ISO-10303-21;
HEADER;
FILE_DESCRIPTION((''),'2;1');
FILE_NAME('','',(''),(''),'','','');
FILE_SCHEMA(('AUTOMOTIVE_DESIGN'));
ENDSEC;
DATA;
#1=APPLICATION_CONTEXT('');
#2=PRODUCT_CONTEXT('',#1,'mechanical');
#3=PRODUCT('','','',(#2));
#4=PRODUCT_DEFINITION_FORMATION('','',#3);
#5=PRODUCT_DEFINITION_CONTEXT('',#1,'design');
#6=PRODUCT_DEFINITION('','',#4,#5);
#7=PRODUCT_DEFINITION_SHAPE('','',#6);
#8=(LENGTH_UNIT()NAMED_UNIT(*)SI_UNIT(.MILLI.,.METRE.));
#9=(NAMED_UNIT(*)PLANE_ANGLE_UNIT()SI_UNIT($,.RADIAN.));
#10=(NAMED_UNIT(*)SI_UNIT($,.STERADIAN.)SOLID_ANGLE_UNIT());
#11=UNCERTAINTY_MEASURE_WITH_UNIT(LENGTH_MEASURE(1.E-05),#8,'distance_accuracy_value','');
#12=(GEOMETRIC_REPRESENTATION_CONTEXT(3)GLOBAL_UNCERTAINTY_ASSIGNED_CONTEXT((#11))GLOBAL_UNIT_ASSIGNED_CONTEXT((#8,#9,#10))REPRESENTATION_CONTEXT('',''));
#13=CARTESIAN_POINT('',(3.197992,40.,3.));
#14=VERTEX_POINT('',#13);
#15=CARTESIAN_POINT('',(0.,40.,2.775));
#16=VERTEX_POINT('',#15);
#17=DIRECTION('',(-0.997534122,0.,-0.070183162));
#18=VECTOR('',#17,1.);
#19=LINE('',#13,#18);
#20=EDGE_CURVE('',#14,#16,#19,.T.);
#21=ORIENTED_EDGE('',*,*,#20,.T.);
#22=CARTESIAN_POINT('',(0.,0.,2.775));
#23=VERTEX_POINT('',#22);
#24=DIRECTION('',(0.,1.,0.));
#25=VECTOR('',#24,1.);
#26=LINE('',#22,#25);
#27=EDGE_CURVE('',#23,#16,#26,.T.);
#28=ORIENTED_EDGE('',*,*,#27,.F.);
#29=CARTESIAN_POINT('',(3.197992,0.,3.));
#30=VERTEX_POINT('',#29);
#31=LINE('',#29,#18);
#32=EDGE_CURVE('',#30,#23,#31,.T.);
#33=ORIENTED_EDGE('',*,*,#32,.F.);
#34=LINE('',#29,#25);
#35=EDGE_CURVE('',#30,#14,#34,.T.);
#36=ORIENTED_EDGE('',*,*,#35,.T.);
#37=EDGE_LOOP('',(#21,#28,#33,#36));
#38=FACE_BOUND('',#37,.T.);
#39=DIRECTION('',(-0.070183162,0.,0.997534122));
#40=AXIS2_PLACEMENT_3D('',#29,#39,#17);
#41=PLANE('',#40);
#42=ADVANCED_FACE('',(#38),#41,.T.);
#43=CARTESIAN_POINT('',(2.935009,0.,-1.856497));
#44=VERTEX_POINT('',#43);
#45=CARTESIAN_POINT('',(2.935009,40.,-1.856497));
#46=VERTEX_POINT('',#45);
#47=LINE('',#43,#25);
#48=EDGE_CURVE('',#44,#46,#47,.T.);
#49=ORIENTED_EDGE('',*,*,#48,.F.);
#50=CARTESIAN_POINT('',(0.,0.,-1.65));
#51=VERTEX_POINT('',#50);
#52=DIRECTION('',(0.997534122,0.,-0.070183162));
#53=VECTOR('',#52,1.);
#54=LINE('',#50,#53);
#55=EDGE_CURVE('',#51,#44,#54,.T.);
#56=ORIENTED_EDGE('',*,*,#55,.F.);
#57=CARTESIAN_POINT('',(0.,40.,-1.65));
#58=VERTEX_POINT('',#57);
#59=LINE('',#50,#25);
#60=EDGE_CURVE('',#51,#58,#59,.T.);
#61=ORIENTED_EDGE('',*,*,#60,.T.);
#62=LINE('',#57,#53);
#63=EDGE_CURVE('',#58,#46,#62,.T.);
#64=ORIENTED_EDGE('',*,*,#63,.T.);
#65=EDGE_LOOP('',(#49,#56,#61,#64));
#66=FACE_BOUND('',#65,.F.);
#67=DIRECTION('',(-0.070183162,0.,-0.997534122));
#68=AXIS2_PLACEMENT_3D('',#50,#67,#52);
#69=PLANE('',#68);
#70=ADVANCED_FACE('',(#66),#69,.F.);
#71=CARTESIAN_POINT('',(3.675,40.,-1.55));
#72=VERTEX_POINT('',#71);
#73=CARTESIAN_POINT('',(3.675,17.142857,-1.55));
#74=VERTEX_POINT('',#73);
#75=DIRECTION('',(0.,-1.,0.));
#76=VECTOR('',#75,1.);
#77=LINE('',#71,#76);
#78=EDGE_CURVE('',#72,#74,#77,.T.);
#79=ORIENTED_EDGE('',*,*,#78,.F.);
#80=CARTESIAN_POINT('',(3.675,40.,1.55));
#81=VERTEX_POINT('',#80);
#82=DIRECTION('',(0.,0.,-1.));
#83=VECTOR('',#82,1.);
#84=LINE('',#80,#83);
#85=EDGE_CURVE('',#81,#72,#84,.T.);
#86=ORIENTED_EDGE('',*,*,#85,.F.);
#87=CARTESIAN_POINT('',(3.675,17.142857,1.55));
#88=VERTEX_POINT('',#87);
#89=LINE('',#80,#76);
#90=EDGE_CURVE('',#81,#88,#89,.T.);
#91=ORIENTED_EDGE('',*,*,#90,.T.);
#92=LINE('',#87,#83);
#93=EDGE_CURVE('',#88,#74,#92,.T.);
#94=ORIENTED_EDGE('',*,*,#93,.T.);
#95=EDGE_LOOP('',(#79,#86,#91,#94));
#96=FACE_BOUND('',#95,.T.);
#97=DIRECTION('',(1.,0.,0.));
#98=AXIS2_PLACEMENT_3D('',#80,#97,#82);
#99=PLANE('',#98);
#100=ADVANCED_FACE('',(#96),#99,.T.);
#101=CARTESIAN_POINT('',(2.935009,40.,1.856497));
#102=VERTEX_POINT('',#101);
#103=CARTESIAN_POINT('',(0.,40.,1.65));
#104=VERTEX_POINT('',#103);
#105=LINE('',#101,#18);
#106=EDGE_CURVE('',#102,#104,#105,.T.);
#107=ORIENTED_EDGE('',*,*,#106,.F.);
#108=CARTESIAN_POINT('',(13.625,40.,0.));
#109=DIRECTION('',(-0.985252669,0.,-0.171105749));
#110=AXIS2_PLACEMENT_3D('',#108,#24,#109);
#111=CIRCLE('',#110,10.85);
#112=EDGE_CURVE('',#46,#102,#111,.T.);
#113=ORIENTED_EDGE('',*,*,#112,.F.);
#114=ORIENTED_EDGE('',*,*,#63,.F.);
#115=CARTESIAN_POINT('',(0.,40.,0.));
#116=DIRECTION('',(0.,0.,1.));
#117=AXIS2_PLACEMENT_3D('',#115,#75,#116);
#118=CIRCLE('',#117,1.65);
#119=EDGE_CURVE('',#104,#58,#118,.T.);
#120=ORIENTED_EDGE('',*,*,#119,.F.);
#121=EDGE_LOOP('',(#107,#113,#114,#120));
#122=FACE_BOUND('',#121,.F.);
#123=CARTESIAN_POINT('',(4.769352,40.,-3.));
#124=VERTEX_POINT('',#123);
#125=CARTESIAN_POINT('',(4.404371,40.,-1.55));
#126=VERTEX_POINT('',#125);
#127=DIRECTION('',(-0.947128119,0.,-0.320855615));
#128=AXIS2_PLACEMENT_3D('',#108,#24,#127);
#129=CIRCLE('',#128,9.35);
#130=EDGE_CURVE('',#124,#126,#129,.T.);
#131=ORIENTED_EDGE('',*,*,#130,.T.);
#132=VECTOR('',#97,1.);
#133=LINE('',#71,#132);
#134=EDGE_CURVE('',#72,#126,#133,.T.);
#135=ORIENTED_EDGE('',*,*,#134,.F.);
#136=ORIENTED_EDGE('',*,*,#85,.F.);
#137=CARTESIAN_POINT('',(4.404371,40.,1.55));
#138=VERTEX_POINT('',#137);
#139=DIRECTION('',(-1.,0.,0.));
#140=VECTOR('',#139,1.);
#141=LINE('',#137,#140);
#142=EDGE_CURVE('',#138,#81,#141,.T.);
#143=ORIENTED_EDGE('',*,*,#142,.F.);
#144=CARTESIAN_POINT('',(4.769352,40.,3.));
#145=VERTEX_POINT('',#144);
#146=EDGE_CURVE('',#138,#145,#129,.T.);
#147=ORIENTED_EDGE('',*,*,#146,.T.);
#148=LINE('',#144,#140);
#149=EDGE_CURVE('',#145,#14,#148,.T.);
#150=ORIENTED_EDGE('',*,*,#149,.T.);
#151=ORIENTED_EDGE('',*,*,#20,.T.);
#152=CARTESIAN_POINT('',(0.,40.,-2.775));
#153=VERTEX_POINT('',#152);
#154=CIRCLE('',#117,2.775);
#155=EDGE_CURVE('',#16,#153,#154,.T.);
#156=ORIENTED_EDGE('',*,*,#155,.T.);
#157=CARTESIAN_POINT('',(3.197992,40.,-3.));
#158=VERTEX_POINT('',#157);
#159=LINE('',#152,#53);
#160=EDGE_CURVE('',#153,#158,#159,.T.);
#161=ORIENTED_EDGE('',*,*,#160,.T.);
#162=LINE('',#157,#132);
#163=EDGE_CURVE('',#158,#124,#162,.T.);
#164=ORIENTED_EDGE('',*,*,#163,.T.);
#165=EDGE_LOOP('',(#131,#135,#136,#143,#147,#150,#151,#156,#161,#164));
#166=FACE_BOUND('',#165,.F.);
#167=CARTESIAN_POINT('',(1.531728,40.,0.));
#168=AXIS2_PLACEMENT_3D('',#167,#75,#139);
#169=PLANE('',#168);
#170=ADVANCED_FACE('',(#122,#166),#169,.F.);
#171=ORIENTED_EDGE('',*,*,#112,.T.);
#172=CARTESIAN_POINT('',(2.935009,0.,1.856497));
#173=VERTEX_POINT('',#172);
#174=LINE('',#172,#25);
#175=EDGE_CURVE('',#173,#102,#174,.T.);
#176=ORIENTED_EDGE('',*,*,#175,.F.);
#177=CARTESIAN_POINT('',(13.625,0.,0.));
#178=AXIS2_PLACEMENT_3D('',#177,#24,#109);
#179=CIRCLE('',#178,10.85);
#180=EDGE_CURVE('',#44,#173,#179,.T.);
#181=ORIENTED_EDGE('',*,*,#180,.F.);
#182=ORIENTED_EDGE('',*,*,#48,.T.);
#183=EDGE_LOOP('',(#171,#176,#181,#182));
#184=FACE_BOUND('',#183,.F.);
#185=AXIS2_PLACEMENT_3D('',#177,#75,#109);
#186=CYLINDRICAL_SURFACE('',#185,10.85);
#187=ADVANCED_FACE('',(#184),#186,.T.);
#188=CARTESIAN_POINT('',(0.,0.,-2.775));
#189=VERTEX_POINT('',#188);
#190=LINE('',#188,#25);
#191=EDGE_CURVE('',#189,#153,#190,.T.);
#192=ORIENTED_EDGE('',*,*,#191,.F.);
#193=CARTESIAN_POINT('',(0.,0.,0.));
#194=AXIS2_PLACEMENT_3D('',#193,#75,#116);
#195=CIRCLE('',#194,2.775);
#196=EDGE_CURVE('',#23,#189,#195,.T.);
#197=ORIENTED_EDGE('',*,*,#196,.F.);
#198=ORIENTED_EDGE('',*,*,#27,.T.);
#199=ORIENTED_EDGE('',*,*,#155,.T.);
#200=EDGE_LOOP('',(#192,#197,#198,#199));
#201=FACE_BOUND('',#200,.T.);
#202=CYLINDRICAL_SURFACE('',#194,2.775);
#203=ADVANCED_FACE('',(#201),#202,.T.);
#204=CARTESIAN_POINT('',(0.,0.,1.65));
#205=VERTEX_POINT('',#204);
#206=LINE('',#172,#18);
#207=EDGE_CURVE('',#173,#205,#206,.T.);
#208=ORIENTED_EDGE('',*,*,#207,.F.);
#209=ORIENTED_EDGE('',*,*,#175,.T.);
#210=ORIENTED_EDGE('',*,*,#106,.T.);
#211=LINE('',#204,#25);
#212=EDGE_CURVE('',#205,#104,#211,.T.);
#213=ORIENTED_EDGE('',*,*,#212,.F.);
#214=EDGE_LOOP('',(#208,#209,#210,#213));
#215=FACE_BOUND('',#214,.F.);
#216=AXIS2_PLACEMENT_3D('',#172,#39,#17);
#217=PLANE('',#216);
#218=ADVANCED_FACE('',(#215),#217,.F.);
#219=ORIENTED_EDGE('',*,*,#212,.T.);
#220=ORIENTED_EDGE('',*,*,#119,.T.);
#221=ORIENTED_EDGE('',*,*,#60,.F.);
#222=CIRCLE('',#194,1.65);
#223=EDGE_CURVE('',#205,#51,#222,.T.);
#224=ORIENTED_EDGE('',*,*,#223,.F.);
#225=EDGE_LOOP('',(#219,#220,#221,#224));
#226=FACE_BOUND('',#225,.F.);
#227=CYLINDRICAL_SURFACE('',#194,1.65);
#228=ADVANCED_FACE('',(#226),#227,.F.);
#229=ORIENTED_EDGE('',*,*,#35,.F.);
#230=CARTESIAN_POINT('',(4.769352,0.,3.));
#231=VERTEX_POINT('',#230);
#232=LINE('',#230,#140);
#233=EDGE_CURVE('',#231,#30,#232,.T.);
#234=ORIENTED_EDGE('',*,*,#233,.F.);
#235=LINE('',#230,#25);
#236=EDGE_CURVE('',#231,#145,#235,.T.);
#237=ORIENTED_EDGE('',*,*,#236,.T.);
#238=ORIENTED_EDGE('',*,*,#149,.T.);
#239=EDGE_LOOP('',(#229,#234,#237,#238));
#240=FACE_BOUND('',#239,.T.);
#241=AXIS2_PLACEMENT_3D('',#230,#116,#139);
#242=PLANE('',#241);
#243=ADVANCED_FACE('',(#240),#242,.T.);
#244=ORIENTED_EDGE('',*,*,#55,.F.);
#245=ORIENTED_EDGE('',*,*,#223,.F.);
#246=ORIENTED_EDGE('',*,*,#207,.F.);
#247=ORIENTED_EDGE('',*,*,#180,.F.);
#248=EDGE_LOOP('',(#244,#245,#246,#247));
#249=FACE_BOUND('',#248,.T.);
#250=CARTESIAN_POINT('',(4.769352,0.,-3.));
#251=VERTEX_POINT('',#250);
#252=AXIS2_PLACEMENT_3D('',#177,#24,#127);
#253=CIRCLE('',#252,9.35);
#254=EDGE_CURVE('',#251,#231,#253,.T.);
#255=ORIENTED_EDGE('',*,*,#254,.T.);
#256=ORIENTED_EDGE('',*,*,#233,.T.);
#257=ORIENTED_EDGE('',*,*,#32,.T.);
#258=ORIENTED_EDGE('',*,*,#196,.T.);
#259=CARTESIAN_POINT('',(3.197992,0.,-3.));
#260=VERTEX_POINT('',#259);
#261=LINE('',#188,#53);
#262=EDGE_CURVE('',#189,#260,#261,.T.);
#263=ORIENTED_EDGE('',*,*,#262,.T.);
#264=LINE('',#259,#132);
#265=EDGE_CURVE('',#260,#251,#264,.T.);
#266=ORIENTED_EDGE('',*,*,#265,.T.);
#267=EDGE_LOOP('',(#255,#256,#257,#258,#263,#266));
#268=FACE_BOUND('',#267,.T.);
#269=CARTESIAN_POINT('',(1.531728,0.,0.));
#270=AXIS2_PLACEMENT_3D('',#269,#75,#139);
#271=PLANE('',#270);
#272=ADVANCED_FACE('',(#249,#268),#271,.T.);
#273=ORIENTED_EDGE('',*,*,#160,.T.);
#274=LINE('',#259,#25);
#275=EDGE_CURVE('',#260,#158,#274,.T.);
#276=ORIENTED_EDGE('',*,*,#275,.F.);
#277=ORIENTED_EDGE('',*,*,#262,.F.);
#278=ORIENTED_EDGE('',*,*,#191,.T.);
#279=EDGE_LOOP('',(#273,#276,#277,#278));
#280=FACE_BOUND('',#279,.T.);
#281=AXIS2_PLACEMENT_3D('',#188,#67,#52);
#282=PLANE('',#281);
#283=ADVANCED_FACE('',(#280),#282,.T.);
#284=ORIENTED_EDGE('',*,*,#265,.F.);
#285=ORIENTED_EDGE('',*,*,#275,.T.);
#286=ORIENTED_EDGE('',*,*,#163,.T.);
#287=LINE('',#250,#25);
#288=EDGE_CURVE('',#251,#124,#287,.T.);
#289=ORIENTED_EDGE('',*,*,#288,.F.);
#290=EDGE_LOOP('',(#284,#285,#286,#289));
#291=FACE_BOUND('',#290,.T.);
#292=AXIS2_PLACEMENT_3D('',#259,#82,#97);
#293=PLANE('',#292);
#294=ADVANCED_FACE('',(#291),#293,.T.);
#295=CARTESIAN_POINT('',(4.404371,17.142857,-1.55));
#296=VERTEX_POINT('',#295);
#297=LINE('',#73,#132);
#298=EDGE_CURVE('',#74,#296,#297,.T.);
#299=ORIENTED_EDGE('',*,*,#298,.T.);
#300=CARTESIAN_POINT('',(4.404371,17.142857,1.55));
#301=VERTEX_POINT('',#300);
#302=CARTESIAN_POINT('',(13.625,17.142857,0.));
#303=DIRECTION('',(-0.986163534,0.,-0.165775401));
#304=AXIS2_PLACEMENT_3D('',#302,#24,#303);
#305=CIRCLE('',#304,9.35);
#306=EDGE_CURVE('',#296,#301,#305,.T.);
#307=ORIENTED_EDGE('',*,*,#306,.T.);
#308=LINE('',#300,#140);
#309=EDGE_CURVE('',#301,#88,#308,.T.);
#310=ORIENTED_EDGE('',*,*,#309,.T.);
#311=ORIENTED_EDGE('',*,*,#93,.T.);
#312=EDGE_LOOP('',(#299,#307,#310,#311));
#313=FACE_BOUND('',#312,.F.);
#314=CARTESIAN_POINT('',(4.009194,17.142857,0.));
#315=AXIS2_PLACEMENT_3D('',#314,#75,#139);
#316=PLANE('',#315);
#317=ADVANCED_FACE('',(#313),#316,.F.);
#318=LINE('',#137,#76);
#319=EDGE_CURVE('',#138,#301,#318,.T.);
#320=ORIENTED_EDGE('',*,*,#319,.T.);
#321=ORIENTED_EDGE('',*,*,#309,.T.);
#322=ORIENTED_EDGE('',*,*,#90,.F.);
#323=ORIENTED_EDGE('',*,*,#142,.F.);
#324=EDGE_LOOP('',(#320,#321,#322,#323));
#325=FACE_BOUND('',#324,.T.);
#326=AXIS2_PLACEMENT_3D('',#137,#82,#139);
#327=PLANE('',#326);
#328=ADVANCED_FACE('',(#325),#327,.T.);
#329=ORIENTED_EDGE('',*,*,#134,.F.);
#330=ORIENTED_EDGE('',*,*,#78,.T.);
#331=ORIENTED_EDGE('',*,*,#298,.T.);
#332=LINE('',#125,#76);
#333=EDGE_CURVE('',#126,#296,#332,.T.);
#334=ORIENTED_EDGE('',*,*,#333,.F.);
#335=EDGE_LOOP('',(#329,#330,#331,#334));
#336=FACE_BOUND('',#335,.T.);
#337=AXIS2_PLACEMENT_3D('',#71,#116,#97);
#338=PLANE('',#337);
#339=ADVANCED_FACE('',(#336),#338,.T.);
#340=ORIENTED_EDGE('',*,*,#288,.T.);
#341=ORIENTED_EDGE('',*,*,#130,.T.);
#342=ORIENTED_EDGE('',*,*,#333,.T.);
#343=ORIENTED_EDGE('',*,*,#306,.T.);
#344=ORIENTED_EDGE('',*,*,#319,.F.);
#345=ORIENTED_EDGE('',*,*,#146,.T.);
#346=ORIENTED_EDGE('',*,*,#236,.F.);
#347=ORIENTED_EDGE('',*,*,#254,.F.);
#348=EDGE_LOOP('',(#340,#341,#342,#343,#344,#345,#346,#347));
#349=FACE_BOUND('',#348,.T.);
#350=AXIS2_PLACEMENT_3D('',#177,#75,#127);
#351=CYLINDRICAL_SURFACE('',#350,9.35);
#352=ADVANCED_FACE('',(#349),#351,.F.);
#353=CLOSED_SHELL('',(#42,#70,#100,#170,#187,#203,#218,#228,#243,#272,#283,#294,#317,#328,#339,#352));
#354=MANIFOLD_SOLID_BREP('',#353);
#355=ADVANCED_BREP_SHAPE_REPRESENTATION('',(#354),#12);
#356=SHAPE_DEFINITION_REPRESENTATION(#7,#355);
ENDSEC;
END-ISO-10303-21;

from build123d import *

# Parameters (mm, degrees)
BOSS_EXTRUDE1_DEPTH = 40
CUT_EXTRUDE1_DEPTH  = 22.857142857


with BuildPart() as part:
    # Sketch2 → Boss-Extrude1 (new body)
    with BuildSketch(Plane(origin=(0, 0, 0), x_dir=(1, 0, 0), z_dir=(0, 1, 0))):
        with BuildLine():
            Line((0, 2.775), (3.1979918, 3))
            Line((3.1979918, 3), (4.769352085, 3))
            ThreePointArc((4.769352085, 3), (4.275, 0), (4.769352085, -3))
            Line((4.769352085, -3), (3.1979918, -3))
            Line((3.1979918, -3), (0, -2.775))
            ThreePointArc((0, -2.775), (-2.775, 0), (0, 2.775))
        make_face()
        with BuildLine():
            Line((0, 1.65), (2.935008537, 1.856497378))
            ThreePointArc((2.935008537, 1.856497378), (2.775, 0), (2.935008537, -1.856497378))
            Line((2.935008537, -1.856497378), (0, -1.65))
            ThreePointArc((0, -1.65), (-1.65, 0), (0, 1.65))
        make_face(mode=Mode.SUBTRACT)
    extrude(amount=BOSS_EXTRUDE1_DEPTH)

    # Sketch3 → Cut-Extrude1 (cut)
    with BuildSketch(Plane(origin=(0, 40, 0), x_dir=(1, 0, 0), z_dir=(0, 1, 0))):
        with BuildLine():
            Line((3.675, 1.55), (4.404370954, 1.55))
            ThreePointArc((4.404370954, 1.55), (4.275, 0), (4.404370954, -1.55))
            Line((4.404370954, -1.55), (3.675, -1.55))
            Line((3.675, -1.55), (3.675, 1.55))
        make_face()
    extrude(amount=-CUT_EXTRUDE1_DEPTH, mode=Mode.SUBTRACT)


solid = part.part
